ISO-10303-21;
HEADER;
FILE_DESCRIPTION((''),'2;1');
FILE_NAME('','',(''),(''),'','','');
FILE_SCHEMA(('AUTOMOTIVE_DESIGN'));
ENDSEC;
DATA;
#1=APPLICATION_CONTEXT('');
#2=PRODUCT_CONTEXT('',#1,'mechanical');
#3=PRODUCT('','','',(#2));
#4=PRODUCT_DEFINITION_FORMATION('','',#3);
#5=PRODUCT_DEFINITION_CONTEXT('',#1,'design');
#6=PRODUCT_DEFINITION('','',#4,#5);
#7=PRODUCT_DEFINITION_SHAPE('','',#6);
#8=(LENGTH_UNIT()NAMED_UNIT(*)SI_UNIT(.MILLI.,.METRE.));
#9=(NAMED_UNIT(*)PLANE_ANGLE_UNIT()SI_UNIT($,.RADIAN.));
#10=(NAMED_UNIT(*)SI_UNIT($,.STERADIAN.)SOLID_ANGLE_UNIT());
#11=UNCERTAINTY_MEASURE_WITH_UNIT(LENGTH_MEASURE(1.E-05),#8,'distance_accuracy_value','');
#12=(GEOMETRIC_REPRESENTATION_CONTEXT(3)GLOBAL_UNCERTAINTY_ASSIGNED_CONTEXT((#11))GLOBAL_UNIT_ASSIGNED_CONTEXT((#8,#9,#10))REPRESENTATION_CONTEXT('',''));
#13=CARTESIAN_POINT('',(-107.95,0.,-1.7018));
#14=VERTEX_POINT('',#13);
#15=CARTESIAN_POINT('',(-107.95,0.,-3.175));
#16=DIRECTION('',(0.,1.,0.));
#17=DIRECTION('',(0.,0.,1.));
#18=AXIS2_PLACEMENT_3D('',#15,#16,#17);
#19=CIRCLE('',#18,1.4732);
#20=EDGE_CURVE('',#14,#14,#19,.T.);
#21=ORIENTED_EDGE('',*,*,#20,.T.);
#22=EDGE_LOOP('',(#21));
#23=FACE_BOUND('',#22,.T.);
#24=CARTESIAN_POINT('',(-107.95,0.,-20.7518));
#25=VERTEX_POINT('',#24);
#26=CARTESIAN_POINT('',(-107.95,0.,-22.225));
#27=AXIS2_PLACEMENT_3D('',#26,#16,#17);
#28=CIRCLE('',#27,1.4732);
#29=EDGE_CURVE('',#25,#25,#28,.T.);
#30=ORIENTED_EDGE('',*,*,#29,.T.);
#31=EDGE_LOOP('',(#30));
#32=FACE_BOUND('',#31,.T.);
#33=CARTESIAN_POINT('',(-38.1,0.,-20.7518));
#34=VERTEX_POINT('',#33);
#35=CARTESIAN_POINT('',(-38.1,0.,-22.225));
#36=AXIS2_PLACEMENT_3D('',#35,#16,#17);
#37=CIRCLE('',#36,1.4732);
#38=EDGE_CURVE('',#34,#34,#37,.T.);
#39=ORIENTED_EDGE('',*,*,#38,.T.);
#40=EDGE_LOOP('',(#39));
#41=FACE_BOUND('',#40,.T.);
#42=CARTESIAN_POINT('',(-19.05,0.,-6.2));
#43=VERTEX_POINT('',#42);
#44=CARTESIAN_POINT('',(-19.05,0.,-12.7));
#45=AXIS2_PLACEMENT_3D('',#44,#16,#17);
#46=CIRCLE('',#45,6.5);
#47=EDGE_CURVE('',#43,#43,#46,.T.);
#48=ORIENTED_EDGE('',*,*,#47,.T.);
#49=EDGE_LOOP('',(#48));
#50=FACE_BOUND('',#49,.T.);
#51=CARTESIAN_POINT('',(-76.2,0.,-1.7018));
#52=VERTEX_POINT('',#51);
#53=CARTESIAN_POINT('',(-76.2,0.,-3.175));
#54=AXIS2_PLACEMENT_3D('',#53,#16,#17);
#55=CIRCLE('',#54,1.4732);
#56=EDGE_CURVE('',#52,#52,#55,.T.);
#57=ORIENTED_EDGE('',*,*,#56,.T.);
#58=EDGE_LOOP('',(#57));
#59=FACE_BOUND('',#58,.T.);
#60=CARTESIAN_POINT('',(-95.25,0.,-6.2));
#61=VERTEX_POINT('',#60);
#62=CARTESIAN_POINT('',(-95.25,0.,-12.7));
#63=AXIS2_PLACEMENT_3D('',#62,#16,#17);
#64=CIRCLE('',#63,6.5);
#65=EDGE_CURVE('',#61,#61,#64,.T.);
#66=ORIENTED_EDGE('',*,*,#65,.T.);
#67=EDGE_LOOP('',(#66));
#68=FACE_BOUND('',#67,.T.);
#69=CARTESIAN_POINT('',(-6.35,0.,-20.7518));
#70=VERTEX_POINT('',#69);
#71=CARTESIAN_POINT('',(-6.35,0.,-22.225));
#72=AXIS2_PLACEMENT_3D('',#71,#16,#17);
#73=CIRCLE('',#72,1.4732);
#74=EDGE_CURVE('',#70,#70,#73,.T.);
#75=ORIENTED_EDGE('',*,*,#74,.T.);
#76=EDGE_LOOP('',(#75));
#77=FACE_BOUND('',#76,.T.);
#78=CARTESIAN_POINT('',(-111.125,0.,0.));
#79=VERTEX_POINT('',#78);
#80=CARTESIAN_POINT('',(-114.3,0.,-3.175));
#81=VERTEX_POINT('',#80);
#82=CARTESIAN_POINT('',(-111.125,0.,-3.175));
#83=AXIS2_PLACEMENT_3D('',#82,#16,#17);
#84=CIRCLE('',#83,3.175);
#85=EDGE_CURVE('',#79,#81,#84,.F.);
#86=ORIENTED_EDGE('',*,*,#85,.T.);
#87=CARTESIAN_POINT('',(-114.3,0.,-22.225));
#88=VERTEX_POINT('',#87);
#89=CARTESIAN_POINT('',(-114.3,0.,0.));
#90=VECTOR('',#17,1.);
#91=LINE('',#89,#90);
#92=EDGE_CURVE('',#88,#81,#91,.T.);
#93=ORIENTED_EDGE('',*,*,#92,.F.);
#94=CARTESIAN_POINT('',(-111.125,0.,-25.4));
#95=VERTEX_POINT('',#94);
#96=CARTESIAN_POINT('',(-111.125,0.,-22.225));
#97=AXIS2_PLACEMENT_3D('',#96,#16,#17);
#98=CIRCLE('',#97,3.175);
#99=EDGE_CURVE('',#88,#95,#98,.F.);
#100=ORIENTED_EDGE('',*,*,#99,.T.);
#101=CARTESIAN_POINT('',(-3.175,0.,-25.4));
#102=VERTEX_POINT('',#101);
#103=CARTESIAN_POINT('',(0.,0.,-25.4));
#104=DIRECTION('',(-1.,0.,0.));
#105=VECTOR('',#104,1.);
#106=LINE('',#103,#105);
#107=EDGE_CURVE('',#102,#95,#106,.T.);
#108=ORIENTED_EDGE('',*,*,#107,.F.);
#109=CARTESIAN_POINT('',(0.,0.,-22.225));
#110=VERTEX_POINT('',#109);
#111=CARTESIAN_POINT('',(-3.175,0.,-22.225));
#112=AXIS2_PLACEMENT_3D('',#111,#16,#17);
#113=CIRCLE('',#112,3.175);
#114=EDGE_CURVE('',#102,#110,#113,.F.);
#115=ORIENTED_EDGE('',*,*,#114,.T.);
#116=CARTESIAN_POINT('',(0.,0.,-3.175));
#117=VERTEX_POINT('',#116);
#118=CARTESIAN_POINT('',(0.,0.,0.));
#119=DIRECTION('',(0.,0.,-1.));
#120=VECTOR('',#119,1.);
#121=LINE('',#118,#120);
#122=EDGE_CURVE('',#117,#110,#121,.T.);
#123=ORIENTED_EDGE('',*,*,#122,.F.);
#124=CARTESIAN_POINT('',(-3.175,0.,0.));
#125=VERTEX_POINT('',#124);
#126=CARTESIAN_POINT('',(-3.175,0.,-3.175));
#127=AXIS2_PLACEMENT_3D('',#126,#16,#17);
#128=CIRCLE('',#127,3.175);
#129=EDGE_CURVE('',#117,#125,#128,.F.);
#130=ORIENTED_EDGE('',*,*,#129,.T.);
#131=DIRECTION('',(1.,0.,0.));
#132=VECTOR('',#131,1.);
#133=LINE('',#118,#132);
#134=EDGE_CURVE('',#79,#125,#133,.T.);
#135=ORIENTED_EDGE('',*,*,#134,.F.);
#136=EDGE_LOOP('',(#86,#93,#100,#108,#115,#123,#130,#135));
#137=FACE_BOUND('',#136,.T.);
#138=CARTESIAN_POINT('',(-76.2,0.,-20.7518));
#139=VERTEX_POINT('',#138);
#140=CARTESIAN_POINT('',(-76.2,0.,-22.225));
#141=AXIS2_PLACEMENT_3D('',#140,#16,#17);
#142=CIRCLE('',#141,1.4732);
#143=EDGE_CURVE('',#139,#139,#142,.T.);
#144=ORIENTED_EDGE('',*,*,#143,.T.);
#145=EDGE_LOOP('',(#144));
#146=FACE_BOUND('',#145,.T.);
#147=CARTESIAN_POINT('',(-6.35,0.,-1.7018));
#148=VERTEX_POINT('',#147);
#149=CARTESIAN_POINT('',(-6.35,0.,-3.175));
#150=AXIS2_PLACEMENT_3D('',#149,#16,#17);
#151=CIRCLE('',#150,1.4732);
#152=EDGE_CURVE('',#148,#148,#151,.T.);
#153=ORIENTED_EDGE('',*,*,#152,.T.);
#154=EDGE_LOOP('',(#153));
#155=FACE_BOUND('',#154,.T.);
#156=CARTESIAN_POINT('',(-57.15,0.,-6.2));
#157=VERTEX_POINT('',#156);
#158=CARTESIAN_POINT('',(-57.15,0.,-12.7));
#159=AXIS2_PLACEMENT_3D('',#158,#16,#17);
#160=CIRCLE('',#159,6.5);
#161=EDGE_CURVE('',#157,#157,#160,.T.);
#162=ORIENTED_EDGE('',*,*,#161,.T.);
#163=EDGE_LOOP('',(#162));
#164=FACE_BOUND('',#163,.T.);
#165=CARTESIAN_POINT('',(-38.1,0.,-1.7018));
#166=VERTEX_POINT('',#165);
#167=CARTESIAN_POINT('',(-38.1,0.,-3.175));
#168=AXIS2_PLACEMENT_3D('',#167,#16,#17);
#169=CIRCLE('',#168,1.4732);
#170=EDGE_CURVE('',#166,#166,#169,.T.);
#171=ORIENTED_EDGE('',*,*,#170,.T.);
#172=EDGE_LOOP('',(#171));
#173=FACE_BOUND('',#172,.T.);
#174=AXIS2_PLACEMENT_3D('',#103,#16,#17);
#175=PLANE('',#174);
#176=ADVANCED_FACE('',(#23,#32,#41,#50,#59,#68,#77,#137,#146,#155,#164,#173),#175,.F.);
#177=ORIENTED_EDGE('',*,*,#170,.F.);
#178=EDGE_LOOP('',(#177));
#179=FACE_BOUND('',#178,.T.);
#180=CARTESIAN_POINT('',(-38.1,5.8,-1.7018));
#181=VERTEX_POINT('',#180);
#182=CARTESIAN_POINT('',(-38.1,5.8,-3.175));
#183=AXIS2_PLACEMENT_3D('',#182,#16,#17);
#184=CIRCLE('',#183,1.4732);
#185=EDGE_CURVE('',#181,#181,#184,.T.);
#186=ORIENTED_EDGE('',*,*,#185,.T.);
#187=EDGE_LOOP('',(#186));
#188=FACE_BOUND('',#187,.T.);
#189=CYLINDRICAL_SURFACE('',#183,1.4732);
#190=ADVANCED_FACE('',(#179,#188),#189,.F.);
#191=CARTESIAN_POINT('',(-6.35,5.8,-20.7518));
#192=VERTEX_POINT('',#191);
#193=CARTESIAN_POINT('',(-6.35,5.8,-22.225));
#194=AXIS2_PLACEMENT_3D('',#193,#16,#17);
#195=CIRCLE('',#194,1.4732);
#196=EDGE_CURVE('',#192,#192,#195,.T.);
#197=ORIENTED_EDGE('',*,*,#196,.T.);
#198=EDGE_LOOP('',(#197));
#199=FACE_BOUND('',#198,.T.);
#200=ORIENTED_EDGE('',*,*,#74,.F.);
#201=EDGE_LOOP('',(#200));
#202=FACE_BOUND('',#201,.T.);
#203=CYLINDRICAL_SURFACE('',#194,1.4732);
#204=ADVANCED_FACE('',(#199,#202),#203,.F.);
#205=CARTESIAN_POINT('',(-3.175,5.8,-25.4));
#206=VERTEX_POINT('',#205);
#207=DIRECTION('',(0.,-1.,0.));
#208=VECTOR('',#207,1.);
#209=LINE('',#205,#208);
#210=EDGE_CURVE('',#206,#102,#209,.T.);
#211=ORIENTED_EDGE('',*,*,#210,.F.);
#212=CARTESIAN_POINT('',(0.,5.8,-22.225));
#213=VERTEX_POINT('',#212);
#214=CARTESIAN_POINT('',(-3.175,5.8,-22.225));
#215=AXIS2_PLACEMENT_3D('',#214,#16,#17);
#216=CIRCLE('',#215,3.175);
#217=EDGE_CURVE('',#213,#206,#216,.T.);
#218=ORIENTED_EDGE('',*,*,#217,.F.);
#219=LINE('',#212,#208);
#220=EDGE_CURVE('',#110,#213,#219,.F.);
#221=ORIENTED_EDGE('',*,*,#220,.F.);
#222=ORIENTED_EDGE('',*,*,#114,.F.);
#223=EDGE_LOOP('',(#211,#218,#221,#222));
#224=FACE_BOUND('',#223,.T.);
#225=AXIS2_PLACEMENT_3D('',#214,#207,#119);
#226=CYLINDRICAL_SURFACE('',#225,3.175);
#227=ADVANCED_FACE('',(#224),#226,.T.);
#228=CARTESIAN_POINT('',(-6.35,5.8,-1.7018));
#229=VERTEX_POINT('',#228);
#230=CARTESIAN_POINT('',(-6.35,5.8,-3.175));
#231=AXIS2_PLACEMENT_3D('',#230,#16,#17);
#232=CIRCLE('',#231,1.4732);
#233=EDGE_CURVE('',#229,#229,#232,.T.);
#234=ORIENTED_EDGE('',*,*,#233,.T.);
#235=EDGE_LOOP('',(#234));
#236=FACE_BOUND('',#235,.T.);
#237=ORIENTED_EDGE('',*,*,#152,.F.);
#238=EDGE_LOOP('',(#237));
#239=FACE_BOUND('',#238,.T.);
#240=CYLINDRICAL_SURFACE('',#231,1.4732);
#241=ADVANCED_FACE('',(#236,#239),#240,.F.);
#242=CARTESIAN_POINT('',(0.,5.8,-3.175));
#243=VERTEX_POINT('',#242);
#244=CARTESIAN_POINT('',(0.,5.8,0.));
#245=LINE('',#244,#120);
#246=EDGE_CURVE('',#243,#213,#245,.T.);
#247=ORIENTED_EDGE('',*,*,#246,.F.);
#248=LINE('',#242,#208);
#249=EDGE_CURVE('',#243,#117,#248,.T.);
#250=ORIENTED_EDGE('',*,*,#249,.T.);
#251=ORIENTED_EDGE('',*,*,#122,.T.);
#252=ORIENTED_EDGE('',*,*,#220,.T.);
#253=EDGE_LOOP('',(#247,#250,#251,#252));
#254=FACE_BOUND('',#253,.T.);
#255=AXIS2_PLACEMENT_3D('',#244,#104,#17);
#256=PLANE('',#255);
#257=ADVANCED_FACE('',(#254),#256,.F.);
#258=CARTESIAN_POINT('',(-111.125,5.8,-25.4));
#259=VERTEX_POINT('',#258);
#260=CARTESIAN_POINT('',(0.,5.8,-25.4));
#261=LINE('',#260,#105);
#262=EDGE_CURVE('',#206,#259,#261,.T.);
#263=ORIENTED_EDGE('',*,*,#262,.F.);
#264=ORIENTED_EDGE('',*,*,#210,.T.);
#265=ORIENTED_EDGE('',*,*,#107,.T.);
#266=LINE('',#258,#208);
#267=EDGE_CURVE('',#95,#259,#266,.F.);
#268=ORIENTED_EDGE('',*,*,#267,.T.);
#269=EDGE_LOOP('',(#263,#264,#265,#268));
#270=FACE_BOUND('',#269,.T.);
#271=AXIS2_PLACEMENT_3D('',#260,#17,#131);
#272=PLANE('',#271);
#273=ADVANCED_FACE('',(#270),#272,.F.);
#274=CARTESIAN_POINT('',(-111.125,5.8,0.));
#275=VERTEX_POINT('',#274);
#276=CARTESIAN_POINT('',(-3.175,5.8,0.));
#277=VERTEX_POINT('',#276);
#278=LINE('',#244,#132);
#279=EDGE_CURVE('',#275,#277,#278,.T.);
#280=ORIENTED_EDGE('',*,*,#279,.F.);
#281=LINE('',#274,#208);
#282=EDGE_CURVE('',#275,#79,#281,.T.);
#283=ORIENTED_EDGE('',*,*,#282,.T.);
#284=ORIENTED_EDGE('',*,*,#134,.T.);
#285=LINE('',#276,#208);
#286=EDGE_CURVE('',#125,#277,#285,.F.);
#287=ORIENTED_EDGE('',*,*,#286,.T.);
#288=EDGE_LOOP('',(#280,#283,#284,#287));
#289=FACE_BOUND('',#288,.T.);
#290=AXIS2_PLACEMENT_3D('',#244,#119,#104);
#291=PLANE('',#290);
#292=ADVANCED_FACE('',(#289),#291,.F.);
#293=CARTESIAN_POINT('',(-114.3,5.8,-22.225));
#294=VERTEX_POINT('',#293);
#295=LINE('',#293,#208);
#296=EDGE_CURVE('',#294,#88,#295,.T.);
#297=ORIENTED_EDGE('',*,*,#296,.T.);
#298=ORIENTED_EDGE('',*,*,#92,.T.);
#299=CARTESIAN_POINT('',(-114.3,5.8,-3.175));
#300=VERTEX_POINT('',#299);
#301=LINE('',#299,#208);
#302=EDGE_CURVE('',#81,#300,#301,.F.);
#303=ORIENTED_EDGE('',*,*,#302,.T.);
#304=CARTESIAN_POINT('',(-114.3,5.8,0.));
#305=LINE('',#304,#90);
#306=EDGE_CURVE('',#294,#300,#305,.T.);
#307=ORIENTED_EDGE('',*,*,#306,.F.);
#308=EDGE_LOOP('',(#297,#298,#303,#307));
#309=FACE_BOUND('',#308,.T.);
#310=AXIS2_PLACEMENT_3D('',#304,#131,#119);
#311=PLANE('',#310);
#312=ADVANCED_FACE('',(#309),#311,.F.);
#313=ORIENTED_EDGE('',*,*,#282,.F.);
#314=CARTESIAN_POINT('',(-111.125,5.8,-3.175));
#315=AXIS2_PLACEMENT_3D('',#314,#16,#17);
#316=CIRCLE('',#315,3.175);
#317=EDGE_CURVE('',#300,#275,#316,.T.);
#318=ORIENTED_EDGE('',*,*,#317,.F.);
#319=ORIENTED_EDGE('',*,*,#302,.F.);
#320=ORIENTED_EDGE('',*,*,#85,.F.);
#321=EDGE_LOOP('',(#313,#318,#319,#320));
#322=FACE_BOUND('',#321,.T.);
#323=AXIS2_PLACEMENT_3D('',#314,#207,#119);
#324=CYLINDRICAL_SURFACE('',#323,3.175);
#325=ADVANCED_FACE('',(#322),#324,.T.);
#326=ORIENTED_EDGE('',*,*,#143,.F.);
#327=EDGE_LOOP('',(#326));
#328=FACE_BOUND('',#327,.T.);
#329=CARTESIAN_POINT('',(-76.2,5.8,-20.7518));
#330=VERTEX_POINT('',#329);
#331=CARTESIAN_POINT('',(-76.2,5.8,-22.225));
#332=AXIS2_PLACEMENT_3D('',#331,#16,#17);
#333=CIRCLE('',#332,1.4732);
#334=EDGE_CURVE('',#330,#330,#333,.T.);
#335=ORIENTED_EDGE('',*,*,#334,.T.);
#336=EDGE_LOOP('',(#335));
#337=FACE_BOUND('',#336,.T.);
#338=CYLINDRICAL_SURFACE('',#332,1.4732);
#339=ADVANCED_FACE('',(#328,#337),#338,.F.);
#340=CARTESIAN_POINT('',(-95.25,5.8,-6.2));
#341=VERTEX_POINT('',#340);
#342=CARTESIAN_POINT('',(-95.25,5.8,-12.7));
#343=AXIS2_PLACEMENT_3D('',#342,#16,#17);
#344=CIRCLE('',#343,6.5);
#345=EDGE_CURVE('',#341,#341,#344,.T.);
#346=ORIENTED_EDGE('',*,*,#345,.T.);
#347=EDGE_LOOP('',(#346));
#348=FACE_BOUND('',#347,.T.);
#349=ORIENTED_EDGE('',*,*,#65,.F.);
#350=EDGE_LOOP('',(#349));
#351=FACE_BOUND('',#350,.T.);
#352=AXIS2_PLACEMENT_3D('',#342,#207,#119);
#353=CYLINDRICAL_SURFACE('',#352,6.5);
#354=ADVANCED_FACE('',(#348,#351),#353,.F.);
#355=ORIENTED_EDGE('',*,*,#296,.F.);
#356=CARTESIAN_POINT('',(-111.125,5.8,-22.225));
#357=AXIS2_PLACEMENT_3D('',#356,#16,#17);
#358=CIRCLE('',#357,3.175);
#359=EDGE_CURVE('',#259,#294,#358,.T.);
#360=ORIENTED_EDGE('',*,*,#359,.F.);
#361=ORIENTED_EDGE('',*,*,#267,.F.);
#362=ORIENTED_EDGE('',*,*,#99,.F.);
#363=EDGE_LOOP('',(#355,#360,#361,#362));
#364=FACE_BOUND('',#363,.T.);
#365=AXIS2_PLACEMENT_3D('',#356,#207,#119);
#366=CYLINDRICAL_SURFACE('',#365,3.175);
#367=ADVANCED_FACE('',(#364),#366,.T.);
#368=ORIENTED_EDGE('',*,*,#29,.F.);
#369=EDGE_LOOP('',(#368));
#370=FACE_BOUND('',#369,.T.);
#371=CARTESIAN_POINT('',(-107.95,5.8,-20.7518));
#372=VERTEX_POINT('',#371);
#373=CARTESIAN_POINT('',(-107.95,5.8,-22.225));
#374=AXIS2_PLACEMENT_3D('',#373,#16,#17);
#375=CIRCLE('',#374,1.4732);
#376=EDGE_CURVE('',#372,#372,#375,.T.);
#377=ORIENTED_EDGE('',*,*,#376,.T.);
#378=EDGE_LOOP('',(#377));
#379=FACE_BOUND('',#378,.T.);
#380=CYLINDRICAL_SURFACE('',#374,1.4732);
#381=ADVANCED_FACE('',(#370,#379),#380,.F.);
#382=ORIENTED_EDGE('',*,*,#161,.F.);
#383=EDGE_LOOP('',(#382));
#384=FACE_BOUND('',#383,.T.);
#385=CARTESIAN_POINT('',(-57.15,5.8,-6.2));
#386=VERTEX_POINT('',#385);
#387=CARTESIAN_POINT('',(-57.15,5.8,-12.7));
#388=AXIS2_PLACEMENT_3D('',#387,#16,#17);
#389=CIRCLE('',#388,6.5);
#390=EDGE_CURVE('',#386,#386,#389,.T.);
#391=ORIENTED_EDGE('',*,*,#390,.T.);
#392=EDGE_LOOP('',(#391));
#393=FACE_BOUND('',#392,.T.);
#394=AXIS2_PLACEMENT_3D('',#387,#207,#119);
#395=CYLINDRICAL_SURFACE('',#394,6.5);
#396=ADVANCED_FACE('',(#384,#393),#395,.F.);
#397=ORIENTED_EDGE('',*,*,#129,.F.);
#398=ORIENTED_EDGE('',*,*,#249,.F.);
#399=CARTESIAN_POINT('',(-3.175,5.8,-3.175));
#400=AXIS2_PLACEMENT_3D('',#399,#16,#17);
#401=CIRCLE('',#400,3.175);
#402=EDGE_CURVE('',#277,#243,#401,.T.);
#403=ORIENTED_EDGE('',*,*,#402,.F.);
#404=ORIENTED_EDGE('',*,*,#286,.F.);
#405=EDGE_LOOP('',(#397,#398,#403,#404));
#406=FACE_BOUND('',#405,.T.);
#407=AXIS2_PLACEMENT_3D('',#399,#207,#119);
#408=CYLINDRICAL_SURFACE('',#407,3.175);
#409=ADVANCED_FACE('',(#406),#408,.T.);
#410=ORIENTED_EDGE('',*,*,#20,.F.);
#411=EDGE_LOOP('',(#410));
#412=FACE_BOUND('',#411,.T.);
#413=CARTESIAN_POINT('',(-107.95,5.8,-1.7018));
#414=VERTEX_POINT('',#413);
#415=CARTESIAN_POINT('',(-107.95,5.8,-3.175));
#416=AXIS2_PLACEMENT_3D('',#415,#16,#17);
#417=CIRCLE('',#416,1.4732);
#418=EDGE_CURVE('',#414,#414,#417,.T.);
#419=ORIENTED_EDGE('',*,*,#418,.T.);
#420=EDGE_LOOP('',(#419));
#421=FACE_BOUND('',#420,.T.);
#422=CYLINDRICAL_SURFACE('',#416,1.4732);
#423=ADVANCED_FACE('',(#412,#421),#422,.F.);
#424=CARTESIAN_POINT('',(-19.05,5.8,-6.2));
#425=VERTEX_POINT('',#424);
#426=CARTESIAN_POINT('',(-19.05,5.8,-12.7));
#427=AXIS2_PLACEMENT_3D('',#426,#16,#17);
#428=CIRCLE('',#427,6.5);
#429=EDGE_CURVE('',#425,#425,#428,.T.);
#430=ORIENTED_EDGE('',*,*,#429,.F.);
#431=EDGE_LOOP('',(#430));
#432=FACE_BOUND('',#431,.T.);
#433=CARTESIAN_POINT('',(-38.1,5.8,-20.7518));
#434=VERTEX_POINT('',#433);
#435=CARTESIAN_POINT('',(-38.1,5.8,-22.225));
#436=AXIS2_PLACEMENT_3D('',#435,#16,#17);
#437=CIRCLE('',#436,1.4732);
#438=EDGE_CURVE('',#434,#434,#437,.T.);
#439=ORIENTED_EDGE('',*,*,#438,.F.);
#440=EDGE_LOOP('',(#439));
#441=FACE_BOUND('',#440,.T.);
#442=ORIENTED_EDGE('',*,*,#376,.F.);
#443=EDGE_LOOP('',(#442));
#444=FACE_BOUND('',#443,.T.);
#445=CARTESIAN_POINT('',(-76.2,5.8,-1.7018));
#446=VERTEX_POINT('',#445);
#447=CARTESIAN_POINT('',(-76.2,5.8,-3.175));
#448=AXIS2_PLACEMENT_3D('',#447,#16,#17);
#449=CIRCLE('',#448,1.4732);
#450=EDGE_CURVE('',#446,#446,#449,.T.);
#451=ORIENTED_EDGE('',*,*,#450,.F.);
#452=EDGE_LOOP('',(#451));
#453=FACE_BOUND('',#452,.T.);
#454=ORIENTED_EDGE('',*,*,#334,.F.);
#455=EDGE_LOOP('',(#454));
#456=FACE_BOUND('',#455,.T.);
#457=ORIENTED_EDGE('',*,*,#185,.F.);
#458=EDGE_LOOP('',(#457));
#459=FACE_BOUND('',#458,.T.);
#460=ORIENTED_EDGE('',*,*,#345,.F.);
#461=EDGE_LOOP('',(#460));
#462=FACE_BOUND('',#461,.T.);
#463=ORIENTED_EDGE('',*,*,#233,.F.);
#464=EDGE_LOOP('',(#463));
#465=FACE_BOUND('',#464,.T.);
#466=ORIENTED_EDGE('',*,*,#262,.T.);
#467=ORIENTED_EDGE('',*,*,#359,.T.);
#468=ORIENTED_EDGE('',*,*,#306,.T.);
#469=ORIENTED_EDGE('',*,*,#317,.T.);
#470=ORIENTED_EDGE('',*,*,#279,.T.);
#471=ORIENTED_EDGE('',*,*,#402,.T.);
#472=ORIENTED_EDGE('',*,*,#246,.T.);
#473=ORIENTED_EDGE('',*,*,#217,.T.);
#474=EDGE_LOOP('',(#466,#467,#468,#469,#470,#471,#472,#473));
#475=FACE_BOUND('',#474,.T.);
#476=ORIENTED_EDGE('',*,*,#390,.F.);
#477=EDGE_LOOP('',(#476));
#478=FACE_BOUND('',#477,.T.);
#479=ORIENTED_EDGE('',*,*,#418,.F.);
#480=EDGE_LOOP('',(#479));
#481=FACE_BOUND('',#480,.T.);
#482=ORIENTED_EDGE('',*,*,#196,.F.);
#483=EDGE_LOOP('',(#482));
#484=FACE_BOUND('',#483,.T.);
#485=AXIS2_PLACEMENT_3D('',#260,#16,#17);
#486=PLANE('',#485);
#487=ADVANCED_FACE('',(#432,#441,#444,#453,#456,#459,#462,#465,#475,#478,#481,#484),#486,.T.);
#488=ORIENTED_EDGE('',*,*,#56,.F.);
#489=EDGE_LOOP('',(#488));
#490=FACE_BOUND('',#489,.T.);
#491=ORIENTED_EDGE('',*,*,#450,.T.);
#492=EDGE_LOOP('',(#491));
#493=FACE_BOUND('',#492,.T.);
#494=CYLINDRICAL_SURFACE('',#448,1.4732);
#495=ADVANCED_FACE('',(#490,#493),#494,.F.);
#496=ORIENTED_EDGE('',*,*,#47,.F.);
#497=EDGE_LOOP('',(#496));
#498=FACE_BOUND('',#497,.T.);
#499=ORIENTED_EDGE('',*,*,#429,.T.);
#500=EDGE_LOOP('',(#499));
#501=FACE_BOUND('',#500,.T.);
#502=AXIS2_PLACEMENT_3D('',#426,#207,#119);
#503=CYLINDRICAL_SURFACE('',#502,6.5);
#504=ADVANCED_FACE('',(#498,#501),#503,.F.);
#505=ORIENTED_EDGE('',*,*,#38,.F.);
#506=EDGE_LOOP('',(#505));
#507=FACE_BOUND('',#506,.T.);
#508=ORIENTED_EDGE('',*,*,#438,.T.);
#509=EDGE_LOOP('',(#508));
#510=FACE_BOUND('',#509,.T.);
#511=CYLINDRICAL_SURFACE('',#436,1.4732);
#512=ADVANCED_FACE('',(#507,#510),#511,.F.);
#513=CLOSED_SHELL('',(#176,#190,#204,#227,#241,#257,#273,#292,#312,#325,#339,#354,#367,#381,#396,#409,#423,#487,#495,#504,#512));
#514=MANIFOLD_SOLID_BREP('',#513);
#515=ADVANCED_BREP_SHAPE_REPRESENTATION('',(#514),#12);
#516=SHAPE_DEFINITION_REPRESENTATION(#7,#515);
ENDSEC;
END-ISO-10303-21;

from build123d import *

# Parameters (mm, degrees)
SKETCH1_W             = 114.3
SKETCH1_H             = 25.4
SKETCH1_R             = 6.5
BOSS_EXTRUDE1_DEPTH   = 5.8
F_4_CLEARANCE_HOLE1_D = 2.9464
FILLET1_R             = 3.175


with BuildPart() as part:
    # Sketch1 → Boss-Extrude1 (new body)
    with BuildSketch(Plane(origin=(0, 0, 0), x_dir=(1, 0, 0), z_dir=(0, 1, 0))):
        with Locations((-57.15, 12.7)):
            Rectangle(SKETCH1_W, SKETCH1_H)
        with Locations(Location((-95.25, 12.7, 0), (0, 0, 270))):
            Circle(SKETCH1_R, mode=Mode.SUBTRACT)
        with Locations(Location((-57.15, 12.7, 0), (0, 0, 270))):
            Circle(SKETCH1_R, mode=Mode.SUBTRACT)
        with Locations(Location((-19.05, 12.7, 0), (0, 0, 270))):
            Circle(SKETCH1_R, mode=Mode.SUBTRACT)
    extrude(amount=BOSS_EXTRUDE1_DEPTH)

    # #4 Clearance Hole1 (through all)
    with Locations(Plane(origin=(0, 5.8, 0), x_dir=(-1, 0, 0), z_dir=(0, 1, 0))):
        with Locations((107.95, -22.225), (107.95, -3.175), (76.2, -22.225), (76.2, -3.175), (6.35, -22.225), (38.1, -22.225), (38.1, -3.175), (6.35, -3.175)):
            Hole(F_4_CLEARANCE_HOLE1_D / 2)

    # Fillet1
    fillet1_edges = [part.edges().sort_by_distance(p)[0] for p in [
        (0, 2.9, 0),
        (-114.3, 2.9, 0),
        (-114.3, 2.9, -25.4),
        (0, 2.9, -25.4),
    ]]
    fillet(fillet1_edges, radius=FILLET1_R)


solid = part.part
